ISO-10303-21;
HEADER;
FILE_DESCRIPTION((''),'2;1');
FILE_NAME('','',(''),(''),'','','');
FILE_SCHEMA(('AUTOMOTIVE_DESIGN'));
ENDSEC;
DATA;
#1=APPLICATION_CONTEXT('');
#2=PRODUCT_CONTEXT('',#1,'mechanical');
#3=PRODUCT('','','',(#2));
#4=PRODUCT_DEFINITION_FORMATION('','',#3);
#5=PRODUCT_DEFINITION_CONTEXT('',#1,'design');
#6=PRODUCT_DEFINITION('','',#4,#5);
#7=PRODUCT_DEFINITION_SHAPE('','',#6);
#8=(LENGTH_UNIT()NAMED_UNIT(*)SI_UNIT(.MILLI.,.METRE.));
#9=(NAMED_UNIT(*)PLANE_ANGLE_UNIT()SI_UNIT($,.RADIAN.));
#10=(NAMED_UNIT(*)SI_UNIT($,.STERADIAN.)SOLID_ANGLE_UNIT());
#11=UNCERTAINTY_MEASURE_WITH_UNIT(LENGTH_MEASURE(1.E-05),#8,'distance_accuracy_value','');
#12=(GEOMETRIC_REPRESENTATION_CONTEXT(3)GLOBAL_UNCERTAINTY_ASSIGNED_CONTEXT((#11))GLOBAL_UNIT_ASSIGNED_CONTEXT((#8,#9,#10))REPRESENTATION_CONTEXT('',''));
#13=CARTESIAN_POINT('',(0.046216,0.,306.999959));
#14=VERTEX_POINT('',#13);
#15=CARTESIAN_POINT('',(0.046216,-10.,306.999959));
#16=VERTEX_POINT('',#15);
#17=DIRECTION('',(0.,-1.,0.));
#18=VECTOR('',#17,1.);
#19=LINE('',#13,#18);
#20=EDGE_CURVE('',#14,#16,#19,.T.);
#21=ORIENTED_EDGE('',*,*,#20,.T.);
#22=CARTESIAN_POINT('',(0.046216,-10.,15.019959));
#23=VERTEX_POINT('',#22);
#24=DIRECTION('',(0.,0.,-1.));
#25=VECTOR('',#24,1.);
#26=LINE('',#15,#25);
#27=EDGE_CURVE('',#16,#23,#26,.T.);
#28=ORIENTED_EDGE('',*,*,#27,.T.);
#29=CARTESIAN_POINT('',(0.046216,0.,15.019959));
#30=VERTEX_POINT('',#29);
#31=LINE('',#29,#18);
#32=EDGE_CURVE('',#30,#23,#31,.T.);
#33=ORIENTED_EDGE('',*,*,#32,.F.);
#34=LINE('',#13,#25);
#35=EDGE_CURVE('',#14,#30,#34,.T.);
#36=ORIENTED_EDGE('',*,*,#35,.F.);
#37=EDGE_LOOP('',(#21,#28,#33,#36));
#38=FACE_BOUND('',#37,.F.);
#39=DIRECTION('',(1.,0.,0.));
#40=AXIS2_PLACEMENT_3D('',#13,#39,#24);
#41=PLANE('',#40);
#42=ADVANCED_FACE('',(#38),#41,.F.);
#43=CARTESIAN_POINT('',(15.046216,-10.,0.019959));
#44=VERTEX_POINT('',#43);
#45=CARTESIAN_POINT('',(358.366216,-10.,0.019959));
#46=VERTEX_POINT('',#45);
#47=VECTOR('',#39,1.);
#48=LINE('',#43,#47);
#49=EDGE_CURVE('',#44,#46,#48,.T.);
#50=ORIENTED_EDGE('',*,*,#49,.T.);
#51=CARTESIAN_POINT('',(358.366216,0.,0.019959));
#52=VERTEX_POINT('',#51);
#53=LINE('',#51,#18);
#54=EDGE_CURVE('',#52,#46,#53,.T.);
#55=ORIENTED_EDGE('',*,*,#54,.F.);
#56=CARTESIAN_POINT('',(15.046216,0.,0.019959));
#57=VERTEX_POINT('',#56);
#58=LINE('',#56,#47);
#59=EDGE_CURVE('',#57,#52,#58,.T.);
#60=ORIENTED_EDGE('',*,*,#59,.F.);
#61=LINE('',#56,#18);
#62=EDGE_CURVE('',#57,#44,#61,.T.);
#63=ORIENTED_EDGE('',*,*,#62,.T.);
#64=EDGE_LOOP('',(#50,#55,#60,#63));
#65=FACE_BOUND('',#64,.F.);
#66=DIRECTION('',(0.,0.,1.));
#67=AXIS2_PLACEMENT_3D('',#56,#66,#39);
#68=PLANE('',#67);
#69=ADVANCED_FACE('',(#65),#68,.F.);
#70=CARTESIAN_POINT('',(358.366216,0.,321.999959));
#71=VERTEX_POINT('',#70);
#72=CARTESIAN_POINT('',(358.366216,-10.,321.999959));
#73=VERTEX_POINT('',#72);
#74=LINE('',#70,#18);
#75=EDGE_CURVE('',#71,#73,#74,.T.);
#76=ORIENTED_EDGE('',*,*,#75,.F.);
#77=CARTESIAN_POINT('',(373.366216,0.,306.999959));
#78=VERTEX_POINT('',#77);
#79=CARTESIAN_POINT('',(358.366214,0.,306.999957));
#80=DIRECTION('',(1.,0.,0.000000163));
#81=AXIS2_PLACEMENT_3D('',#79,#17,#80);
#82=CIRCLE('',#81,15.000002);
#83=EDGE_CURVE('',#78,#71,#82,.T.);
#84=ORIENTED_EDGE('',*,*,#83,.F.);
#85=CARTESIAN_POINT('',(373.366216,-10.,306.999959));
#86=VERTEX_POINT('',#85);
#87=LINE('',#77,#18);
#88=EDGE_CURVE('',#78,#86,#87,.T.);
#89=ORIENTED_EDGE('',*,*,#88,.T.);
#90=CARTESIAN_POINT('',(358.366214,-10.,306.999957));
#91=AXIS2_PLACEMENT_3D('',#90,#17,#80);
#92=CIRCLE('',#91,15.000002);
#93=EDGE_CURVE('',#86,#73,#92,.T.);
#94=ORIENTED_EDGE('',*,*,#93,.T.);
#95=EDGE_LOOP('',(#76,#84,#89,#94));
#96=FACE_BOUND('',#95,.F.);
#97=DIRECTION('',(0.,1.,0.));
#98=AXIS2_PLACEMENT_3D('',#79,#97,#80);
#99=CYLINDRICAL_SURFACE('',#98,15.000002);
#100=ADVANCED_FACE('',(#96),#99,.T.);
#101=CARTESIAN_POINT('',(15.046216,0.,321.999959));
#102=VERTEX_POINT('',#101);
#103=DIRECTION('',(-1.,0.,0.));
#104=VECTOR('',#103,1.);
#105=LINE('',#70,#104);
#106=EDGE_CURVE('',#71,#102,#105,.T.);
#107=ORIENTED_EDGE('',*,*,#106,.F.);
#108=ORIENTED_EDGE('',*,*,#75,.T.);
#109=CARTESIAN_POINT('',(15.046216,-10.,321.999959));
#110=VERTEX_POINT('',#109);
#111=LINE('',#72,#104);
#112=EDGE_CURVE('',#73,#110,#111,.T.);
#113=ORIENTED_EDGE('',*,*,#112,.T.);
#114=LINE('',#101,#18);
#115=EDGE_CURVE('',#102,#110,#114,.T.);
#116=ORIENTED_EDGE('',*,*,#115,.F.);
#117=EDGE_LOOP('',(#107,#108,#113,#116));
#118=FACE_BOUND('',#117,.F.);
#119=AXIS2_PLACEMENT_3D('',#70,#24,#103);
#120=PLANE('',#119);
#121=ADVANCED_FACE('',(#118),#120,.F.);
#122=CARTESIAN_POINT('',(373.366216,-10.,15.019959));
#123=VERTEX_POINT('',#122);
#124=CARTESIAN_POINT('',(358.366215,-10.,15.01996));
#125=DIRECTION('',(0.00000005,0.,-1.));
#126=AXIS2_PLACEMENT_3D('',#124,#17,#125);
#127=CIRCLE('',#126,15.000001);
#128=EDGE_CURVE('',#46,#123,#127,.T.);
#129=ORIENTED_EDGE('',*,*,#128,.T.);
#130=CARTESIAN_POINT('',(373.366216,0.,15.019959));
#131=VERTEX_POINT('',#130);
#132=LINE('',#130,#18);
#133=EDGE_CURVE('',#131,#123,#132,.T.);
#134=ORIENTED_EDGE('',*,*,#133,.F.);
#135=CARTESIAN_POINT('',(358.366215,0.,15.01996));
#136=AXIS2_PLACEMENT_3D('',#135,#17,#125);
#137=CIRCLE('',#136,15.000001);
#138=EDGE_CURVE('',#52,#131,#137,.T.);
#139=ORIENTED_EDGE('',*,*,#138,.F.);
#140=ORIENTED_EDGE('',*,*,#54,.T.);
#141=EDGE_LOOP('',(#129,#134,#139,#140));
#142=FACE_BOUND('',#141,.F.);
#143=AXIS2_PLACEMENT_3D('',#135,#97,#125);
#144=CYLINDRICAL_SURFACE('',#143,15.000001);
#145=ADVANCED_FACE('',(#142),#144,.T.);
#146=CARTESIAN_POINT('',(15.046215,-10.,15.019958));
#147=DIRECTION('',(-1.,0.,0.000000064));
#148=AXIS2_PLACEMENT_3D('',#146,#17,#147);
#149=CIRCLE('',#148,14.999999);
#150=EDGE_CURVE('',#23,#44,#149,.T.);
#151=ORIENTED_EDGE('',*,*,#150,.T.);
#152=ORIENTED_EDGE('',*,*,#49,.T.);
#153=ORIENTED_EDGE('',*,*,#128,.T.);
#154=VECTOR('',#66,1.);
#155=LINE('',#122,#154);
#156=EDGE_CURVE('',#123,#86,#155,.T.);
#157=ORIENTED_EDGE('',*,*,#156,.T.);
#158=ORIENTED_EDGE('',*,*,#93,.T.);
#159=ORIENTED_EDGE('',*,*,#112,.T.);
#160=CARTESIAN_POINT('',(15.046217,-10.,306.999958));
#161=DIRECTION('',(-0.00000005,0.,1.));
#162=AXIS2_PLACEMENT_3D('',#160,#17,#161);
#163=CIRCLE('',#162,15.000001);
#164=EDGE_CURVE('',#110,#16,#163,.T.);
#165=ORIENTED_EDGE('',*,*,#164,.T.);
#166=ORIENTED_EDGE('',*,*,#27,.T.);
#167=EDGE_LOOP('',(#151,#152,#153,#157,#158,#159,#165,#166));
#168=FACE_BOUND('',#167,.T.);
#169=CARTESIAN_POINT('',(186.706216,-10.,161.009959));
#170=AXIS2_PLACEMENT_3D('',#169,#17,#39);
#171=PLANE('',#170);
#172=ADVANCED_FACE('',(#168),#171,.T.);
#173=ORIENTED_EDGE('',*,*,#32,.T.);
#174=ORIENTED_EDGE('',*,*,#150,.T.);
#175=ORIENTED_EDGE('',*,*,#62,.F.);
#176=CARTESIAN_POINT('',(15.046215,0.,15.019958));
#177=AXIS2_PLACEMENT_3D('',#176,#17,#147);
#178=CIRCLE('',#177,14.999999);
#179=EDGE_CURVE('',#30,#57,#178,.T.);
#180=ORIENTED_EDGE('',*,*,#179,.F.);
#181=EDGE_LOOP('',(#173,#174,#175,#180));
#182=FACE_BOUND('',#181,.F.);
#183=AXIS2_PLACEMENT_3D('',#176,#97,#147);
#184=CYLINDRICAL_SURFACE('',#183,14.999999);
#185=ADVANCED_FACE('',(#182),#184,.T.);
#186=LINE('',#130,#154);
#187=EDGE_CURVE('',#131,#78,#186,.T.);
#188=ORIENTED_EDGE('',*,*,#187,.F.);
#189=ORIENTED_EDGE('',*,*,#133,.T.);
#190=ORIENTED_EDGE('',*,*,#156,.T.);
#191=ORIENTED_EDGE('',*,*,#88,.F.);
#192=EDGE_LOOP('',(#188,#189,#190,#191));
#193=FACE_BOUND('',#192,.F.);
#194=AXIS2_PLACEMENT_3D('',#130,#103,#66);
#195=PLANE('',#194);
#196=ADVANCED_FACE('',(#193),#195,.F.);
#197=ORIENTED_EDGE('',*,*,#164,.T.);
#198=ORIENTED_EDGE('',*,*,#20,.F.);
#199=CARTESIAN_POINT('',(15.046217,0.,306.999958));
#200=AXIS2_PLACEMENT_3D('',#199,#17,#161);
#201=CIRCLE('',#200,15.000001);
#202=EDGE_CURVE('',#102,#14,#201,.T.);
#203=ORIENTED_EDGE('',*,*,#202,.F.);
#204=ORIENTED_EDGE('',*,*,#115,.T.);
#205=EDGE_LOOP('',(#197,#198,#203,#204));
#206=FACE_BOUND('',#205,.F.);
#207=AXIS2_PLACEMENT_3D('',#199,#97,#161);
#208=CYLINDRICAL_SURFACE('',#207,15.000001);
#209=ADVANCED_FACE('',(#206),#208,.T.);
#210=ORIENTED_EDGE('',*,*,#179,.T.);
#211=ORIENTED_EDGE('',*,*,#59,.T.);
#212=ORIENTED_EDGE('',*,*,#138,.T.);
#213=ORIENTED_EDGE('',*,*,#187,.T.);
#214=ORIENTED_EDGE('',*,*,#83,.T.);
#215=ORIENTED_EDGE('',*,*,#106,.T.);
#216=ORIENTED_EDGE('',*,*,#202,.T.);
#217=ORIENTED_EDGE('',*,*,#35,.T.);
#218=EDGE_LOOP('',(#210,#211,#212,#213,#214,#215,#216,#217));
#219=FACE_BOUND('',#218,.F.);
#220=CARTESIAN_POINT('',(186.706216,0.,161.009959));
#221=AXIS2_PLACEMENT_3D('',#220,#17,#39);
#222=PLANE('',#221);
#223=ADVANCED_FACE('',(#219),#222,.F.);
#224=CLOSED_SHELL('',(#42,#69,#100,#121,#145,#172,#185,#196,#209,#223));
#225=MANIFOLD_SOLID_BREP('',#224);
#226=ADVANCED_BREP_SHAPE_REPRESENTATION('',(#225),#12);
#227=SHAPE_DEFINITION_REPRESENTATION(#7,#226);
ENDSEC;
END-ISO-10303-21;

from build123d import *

# Parameters (mm, degrees)
PAD_DEPTH = 10


with BuildPart() as part:
    # Sketch → Pad (new body)
    with BuildSketch(Plane.XZ):
        with BuildLine():
            Line((15.046216, 0.019959), (358.366216, 0.019959))
            ThreePointArc((358.366216, 0.019959), (368.972817, 4.413357), (373.366216, 15.019959))
            Line((373.366216, 15.019959), (373.366216, 306.999959))
            ThreePointArc((373.366216, 306.999959), (368.972817, 317.60656), (358.366216, 321.999959))
            Line((358.366216, 321.999959), (15.046216, 321.999959))
            ThreePointArc((15.046216, 321.999959), (4.439614, 317.60656), (0.046216, 306.999959))
            Line((0.046216, 306.999959), (0.046216, 15.019959))
            ThreePointArc((0.046216, 15.019959), (4.439614, 4.413357), (15.046216, 0.019959))
        make_face()
    extrude(amount=PAD_DEPTH)


solid = part.part
